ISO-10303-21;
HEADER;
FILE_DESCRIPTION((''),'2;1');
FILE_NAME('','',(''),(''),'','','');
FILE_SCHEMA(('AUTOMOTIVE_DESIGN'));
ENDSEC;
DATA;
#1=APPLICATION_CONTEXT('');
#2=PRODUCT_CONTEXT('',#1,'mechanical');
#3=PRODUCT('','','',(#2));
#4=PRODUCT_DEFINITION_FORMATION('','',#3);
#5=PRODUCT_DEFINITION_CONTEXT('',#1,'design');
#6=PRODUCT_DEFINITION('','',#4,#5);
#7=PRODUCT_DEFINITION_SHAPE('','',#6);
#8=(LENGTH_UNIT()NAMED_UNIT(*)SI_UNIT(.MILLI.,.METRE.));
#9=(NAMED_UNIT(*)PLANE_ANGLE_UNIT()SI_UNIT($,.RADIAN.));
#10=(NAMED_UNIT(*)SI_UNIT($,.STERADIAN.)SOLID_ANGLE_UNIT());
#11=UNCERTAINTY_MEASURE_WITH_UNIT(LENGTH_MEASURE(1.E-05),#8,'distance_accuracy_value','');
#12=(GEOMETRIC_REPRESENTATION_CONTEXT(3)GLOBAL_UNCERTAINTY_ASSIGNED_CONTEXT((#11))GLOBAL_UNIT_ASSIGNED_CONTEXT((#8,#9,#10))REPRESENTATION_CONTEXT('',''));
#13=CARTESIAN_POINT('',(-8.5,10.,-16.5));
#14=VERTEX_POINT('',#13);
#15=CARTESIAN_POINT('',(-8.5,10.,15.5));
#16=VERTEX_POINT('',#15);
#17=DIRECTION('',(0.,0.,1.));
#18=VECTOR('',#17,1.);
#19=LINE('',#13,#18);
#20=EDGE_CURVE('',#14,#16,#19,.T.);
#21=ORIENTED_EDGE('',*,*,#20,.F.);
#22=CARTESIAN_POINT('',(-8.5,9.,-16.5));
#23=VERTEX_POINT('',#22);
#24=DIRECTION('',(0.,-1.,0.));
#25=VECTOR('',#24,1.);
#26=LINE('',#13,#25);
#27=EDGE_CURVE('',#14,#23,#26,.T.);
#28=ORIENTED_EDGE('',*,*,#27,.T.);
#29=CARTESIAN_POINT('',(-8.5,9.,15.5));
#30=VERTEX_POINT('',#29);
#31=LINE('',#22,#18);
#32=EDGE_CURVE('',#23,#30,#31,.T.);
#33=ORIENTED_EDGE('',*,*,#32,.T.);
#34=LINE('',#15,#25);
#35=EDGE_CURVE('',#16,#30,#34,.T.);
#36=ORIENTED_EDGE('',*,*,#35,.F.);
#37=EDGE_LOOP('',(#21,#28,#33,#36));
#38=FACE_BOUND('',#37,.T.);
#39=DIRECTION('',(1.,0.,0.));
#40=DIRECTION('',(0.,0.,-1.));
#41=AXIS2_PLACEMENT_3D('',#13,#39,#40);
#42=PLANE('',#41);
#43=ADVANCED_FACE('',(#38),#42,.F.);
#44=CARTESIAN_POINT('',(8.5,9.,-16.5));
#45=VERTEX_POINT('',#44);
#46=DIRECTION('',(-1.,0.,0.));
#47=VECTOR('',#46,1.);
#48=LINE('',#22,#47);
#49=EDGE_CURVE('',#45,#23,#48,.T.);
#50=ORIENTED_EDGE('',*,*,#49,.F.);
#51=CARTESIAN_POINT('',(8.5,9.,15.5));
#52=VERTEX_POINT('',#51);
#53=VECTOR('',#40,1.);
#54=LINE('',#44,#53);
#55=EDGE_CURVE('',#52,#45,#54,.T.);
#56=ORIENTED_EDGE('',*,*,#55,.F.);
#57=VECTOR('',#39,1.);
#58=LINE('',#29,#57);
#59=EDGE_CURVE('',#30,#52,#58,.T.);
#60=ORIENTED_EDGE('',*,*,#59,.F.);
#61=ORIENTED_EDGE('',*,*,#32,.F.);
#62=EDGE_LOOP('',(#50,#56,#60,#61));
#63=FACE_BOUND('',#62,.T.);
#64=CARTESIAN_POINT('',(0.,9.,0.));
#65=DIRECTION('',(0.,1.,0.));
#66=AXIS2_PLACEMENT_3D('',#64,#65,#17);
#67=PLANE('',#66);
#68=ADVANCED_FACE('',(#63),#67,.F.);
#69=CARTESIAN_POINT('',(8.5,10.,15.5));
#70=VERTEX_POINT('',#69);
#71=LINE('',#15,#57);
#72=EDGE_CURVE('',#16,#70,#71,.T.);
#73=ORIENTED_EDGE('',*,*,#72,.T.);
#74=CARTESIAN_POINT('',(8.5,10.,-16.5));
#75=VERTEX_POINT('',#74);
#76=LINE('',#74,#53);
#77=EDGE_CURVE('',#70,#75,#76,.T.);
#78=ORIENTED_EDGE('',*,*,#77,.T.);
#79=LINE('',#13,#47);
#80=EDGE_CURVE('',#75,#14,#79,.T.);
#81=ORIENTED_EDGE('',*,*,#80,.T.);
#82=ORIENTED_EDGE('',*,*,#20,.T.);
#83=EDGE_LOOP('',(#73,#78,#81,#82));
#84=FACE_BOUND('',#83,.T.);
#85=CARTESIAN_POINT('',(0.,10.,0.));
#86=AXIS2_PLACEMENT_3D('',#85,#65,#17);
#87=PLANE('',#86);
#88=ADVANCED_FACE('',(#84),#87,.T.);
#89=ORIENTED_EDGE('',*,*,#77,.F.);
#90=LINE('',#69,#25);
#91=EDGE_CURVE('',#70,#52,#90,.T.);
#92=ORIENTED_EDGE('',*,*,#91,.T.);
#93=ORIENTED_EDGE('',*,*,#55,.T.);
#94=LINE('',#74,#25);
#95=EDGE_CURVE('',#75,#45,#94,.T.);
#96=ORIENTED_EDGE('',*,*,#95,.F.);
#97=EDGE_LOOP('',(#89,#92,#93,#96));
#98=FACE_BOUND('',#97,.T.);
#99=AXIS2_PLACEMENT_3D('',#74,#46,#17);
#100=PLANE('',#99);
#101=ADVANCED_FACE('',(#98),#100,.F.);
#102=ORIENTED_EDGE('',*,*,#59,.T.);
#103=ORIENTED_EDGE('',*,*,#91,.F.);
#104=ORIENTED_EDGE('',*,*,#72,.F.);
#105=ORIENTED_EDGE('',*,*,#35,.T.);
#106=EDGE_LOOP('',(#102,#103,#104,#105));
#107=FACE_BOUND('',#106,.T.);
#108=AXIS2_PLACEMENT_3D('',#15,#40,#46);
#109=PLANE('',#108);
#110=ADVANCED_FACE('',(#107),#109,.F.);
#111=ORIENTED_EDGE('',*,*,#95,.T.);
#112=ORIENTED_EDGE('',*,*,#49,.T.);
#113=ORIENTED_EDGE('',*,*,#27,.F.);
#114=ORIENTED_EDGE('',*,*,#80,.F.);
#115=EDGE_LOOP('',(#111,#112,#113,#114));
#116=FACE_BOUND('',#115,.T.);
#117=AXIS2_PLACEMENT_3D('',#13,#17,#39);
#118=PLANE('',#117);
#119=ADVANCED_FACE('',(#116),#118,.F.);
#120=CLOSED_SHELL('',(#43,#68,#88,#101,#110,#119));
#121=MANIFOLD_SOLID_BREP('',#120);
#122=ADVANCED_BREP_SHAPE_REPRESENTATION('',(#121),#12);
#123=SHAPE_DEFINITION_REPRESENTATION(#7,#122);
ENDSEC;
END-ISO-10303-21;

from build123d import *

# Parameters (mm, degrees)
SKETCH_1_W          = 17
SKETCH_1_H          = 33
EXTRUDE_1_DEPTH     = 10
CUT_EXTRUDE_START   = 1
SKETCH_2_W          = 15
SKETCH_2_H          = 32
CUT_EXTRUDE_1_DEPTH = 8
SKETCH_3_R          = 3
CUT_EXTRUDE_2_DEPTH = 22.083168642
CUT_EXTRUDE_START_2 = 9
SKETCH_5_W          = 17
SKETCH_5_H          = 32
CUT_EXTRUDE_3_DEPTH = 8
EXTRUDE_START       = 9
SKETCH_6_W          = 17
SKETCH_6_H          = 32
EXTRUDE_2_DEPTH     = 1
SKETCH_8_W          = 17
SKETCH_8_H          = 33
CUT_EXTRUDE_5_DEPTH = 9
SKETCH_9_W          = 17
SKETCH_9_H          = 1
CUT_EXTRUDE_6_DEPTH = 1


with BuildPart() as part:
    # 스케치1 → 보스-돌출1 (new body)
    with BuildSketch(Plane(origin=(0, 0, 0), x_dir=(1, 0, 0), z_dir=(0, 1, 0))):
        Rectangle(SKETCH_1_W, SKETCH_1_H)
    extrude(amount=EXTRUDE_1_DEPTH)

    # 스케치2 → 컷-돌출1 (cut)
    with BuildSketch(Plane(origin=(0, 0, 0), x_dir=(1, 0, 0), z_dir=(0, 1, 0)).offset(CUT_EXTRUDE_START)):
        with Locations((0, 0.5)):
            Rectangle(SKETCH_2_W, SKETCH_2_H)
    extrude(amount=CUT_EXTRUDE_1_DEPTH, mode=Mode.SUBTRACT)

    # 스케치3 → 컷-돌출2 (cut, through all)
    with BuildSketch(Plane.XY):
        with Locations(Location((0, 6, 0), (0, 0, 90))):
            Circle(SKETCH_3_R)
    extrude(amount=CUT_EXTRUDE_2_DEPTH, mode=Mode.SUBTRACT)

    # 스케치5 → 컷-돌출3 (cut)
    with BuildSketch(Plane(origin=(0, 0, 0), x_dir=(1, 0, 0), z_dir=(0, 1, 0)).offset(CUT_EXTRUDE_START_2)):
        with Locations((0, 0.5)):
            Rectangle(SKETCH_5_W, SKETCH_5_H)
    extrude(amount=CUT_EXTRUDE_3_DEPTH, mode=Mode.SUBTRACT)

    # 스케치8 → 컷-돌출5 (cut)
    with BuildSketch(Plane.XZ):
        Rectangle(SKETCH_8_W, SKETCH_8_H)
    extrude(amount=-CUT_EXTRUDE_5_DEPTH, mode=Mode.SUBTRACT)

    # 스케치9 → 컷-돌출6 (cut)
    with BuildSketch(Plane.XY.offset(16.5)):
        with Locations((0, 9.5)):
            Rectangle(SKETCH_9_W, SKETCH_9_H)
    extrude(amount=-CUT_EXTRUDE_6_DEPTH, mode=Mode.SUBTRACT)


with BuildPart() as body_2:
    # 스케치6 → 보스-돌출2 (new body)
    with BuildSketch(Plane(origin=(0, 0, 0), x_dir=(1, 0, 0), z_dir=(0, 1, 0)).offset(EXTRUDE_START)):
        with Locations((0, 0.5)):
            Rectangle(SKETCH_6_W, SKETCH_6_H)
    extrude(amount=EXTRUDE_2_DEPTH)


solid = body_2.part
